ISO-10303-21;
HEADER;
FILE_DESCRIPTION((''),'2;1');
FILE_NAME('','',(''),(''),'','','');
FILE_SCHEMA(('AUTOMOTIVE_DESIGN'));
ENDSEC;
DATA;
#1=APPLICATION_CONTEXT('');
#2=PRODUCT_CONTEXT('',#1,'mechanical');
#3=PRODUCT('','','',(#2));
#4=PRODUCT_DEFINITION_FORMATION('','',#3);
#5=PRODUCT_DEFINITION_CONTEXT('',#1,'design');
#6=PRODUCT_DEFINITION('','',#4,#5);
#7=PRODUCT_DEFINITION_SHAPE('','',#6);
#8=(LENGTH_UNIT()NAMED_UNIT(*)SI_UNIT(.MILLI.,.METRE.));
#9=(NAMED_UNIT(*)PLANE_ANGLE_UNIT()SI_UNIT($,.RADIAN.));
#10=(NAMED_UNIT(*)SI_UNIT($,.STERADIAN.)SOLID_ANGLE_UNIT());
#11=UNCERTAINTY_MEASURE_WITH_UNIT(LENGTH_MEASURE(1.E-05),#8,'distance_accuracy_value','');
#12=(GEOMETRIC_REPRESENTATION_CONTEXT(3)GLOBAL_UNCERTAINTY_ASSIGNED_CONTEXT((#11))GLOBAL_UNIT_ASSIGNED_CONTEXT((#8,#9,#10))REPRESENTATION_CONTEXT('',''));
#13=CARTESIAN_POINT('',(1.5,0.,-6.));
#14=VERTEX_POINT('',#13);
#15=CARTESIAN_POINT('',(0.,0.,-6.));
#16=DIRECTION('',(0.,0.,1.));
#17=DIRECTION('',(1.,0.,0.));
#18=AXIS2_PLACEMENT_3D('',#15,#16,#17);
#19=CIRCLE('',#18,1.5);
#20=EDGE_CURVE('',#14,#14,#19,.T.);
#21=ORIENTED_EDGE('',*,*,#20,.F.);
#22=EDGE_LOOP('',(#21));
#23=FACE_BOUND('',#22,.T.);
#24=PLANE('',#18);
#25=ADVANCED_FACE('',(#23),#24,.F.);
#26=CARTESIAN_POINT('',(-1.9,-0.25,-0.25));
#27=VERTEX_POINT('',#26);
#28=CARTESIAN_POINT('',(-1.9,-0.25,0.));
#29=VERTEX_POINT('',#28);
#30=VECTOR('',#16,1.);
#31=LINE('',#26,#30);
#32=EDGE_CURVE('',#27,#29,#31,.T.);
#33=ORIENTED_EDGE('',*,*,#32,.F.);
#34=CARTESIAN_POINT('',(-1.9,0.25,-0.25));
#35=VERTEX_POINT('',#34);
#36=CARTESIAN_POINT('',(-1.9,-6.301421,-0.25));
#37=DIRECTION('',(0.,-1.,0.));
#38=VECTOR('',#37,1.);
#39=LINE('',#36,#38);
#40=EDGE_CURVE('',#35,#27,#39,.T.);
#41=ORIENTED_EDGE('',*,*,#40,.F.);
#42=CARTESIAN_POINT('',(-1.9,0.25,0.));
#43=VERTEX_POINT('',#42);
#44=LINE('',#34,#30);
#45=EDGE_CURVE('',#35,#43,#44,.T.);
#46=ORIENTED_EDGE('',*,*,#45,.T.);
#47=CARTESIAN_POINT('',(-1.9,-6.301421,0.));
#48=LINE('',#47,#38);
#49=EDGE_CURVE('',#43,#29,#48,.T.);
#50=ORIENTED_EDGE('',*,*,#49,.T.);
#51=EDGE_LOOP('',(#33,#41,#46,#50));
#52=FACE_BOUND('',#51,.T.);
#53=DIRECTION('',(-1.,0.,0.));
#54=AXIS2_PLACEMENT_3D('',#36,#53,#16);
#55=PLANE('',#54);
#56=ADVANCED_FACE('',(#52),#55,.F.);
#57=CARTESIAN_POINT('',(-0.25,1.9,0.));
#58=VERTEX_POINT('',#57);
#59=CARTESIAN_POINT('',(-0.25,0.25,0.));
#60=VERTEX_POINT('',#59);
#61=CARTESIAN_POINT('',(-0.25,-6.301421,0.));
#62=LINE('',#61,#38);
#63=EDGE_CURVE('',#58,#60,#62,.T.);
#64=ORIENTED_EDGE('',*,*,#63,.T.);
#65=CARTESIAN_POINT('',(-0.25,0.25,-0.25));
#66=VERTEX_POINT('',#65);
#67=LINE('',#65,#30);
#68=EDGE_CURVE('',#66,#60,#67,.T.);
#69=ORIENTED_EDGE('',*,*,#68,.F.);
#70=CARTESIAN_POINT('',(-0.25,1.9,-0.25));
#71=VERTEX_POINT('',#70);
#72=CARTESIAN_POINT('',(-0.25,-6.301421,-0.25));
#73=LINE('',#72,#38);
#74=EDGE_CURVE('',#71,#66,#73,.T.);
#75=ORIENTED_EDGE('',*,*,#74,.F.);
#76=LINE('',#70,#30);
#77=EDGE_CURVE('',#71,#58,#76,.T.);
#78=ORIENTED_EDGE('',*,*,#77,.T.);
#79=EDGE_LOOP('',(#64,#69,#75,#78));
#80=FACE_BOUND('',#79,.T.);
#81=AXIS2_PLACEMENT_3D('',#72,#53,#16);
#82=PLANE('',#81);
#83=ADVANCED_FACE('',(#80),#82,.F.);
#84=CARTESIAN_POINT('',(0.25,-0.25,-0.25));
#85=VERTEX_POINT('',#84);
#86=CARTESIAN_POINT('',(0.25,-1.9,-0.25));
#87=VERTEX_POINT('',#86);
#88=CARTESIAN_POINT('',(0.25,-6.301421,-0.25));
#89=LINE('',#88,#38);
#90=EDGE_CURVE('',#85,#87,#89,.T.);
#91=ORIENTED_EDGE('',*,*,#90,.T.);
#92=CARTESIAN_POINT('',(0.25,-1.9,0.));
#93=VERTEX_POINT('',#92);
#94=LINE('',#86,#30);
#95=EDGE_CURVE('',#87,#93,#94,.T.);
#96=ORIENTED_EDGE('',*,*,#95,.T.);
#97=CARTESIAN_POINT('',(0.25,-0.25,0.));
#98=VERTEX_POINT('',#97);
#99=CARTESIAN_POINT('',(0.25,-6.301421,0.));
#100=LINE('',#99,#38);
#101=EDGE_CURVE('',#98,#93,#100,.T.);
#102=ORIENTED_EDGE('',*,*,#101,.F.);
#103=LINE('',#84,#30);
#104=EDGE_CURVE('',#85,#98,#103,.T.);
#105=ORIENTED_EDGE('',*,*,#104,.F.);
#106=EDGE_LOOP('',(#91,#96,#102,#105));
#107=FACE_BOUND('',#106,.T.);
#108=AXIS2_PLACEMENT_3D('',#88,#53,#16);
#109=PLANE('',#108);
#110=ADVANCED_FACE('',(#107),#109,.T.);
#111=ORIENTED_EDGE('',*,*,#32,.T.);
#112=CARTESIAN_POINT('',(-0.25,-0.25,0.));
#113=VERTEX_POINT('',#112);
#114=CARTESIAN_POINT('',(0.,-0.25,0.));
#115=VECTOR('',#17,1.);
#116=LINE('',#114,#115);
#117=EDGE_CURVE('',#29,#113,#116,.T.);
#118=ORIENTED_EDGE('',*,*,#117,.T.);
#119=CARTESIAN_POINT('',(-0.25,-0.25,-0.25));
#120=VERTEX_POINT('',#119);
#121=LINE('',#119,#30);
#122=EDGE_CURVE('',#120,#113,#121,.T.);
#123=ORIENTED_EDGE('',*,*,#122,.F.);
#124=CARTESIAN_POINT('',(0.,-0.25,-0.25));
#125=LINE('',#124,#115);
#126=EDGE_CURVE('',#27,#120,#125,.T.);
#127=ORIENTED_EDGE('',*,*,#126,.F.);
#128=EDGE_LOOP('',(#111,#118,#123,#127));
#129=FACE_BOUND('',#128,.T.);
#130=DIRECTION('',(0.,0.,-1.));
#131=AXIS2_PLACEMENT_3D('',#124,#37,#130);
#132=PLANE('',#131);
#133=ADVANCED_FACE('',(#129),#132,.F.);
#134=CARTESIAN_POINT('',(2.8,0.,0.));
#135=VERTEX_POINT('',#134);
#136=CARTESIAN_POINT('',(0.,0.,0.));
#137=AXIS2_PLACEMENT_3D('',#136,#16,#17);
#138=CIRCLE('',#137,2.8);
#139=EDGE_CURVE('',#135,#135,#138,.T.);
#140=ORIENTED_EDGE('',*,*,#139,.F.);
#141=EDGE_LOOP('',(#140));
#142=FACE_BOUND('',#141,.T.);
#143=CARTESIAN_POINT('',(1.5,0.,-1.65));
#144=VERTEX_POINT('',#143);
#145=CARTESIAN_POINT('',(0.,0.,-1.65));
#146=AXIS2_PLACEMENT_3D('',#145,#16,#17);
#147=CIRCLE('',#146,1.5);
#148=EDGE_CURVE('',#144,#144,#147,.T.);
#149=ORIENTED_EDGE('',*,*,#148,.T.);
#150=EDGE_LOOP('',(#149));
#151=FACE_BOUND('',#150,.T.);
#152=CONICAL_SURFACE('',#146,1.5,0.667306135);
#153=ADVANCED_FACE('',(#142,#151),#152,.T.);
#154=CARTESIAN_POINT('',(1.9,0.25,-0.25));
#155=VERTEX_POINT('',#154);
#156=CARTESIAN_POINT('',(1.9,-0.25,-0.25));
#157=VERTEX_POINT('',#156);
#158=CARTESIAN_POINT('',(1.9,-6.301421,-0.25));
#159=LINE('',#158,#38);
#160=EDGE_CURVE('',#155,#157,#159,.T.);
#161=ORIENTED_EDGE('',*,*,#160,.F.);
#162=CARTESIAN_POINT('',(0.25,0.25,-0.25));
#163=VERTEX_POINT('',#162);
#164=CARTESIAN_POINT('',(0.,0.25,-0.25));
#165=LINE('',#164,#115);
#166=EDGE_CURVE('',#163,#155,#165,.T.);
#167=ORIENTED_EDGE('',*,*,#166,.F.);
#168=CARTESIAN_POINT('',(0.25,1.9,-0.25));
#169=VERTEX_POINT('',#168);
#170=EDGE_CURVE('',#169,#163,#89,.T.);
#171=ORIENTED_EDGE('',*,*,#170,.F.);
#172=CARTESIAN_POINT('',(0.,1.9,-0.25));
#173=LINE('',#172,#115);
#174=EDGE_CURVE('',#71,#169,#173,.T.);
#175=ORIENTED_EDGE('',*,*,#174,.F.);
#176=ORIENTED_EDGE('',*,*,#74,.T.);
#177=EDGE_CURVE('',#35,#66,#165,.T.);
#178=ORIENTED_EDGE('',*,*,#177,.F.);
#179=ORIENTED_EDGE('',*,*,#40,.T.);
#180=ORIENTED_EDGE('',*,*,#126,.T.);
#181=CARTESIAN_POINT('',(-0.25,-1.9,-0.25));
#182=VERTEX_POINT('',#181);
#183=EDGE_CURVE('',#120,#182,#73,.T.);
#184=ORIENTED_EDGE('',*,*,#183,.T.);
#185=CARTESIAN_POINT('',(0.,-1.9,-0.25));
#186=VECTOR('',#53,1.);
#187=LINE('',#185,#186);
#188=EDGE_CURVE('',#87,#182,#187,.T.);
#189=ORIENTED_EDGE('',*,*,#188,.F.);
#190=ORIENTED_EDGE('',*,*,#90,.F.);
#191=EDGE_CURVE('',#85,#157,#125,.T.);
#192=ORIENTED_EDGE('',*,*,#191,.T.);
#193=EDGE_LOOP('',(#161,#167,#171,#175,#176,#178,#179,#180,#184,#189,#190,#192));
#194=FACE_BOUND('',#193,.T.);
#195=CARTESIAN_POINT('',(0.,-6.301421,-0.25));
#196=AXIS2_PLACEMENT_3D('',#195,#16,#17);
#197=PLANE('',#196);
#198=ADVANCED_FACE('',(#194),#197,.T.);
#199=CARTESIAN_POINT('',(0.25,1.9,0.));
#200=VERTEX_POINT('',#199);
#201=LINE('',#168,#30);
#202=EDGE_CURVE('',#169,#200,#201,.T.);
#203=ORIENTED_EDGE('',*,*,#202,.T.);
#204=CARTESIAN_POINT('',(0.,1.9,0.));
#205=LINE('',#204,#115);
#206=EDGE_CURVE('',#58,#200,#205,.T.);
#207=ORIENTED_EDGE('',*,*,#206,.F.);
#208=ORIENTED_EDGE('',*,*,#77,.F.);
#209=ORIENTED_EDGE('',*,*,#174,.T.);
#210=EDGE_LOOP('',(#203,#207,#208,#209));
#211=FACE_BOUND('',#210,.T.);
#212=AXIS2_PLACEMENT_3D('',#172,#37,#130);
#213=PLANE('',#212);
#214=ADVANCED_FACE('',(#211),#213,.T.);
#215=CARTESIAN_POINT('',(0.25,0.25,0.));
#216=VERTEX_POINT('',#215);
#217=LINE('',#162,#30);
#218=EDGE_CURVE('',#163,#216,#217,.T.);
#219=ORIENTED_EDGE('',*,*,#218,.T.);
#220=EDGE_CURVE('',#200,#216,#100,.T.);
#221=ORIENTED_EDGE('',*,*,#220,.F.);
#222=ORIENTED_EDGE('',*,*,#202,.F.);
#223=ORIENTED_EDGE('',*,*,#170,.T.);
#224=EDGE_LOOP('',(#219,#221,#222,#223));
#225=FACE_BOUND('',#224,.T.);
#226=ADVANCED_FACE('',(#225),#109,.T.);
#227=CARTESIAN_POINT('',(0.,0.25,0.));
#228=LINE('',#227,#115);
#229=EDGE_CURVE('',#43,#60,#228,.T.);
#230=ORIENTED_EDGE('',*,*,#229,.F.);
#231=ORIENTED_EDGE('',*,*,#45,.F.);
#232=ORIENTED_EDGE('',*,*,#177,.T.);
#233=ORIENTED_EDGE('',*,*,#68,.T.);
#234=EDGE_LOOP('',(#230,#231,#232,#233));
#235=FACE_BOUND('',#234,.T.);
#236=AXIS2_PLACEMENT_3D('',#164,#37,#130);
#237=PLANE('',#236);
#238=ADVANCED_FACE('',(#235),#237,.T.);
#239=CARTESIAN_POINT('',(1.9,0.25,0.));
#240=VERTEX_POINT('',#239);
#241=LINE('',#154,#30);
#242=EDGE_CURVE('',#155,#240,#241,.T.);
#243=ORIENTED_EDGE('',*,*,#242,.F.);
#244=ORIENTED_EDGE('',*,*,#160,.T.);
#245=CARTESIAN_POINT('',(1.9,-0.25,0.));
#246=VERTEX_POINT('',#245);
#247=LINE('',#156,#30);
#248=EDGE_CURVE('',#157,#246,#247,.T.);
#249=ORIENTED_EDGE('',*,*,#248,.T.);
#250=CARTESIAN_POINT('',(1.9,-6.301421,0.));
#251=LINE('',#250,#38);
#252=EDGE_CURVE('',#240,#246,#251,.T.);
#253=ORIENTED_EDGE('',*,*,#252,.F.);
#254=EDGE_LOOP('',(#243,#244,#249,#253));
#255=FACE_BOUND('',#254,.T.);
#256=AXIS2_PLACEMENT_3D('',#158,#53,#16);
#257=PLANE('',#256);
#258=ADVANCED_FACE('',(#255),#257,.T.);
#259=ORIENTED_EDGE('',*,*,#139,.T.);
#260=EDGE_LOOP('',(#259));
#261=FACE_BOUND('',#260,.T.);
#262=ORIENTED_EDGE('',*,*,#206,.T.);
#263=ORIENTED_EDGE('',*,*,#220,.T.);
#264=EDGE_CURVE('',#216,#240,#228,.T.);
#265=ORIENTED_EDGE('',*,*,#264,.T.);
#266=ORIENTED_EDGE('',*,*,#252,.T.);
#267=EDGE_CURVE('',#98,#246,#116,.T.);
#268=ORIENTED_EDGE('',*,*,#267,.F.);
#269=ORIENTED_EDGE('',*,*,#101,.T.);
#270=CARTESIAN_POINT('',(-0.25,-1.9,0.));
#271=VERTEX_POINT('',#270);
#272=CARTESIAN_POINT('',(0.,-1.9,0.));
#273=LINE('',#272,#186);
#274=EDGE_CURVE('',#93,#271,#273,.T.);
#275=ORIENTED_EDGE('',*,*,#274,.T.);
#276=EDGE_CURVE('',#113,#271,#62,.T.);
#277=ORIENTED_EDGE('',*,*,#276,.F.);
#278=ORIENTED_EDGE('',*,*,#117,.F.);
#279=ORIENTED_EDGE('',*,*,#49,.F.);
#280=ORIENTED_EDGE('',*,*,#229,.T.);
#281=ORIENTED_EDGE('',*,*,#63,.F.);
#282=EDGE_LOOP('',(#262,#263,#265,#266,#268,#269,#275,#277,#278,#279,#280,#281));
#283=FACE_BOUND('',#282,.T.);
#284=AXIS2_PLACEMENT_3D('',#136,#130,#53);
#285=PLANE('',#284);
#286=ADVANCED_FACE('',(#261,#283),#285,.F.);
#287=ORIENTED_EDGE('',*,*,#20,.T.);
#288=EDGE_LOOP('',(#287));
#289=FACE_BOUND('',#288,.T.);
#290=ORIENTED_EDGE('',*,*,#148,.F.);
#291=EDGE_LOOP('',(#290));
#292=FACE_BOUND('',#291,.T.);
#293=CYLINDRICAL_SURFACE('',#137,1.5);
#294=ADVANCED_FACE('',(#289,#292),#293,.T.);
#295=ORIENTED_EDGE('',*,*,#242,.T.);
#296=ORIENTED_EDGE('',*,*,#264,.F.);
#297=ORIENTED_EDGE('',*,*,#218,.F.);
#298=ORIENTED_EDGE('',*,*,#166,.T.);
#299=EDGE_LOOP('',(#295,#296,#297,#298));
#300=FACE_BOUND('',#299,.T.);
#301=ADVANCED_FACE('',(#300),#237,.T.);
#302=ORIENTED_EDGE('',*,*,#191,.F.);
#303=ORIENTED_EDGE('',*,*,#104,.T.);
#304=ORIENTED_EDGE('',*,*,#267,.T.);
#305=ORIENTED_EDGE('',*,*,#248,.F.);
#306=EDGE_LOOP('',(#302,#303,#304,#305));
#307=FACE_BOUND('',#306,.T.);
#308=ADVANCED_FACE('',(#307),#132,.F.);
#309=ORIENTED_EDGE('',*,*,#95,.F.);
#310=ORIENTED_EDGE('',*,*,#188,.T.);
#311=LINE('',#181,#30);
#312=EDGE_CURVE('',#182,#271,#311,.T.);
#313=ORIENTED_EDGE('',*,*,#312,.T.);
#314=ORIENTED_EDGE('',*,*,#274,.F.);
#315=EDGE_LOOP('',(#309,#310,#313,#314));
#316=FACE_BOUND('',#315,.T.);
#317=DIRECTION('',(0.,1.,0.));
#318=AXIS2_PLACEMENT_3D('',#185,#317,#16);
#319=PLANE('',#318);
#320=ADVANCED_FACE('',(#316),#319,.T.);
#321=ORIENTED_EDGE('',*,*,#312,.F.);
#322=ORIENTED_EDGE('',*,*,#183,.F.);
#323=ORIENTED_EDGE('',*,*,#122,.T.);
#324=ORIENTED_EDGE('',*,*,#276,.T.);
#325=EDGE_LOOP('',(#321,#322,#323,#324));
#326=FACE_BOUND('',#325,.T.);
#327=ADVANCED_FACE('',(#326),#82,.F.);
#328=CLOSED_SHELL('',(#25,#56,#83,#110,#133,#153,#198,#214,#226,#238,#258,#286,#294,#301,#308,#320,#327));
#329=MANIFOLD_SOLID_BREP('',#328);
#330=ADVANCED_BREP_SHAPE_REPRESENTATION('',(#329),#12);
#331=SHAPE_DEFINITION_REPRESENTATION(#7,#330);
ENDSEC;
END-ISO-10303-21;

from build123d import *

# Parameters (mm, degrees)
SKETCH5_W          = 3.8
SKETCH5_H          = 0.5
SKETCH5_W_2        = 0.5
SKETCH5_H_2        = 3.8
CUT_EXTRUDE2_DEPTH = 0.25


with BuildPart() as part:
    # Sketch4 → Revolve1 (revolve)
    with BuildSketch(Plane(origin=(0, 0, 0), x_dir=(0, 0, -1), z_dir=(1, 0, 0)), mode=Mode.PRIVATE) as revolve1_sk:
        Polygon((0, 0), (0, 2.8), (1.65, 1.5), (6, 1.5), (6, 0), align=None)
    revolve(revolve1_sk.sketch.rotate(Axis((0, 0, 0), (0, 0, -1)), 90), axis=Axis((0, 0, 0), (0, 0, -1)))

    # Sketch5 → Cut-Extrude2 (cut)
    with BuildSketch(Plane.XY):
        Rectangle(SKETCH5_W, SKETCH5_H)
        Rectangle(SKETCH5_W_2, SKETCH5_H_2)
    extrude(amount=-CUT_EXTRUDE2_DEPTH, mode=Mode.SUBTRACT)


solid = part.part
